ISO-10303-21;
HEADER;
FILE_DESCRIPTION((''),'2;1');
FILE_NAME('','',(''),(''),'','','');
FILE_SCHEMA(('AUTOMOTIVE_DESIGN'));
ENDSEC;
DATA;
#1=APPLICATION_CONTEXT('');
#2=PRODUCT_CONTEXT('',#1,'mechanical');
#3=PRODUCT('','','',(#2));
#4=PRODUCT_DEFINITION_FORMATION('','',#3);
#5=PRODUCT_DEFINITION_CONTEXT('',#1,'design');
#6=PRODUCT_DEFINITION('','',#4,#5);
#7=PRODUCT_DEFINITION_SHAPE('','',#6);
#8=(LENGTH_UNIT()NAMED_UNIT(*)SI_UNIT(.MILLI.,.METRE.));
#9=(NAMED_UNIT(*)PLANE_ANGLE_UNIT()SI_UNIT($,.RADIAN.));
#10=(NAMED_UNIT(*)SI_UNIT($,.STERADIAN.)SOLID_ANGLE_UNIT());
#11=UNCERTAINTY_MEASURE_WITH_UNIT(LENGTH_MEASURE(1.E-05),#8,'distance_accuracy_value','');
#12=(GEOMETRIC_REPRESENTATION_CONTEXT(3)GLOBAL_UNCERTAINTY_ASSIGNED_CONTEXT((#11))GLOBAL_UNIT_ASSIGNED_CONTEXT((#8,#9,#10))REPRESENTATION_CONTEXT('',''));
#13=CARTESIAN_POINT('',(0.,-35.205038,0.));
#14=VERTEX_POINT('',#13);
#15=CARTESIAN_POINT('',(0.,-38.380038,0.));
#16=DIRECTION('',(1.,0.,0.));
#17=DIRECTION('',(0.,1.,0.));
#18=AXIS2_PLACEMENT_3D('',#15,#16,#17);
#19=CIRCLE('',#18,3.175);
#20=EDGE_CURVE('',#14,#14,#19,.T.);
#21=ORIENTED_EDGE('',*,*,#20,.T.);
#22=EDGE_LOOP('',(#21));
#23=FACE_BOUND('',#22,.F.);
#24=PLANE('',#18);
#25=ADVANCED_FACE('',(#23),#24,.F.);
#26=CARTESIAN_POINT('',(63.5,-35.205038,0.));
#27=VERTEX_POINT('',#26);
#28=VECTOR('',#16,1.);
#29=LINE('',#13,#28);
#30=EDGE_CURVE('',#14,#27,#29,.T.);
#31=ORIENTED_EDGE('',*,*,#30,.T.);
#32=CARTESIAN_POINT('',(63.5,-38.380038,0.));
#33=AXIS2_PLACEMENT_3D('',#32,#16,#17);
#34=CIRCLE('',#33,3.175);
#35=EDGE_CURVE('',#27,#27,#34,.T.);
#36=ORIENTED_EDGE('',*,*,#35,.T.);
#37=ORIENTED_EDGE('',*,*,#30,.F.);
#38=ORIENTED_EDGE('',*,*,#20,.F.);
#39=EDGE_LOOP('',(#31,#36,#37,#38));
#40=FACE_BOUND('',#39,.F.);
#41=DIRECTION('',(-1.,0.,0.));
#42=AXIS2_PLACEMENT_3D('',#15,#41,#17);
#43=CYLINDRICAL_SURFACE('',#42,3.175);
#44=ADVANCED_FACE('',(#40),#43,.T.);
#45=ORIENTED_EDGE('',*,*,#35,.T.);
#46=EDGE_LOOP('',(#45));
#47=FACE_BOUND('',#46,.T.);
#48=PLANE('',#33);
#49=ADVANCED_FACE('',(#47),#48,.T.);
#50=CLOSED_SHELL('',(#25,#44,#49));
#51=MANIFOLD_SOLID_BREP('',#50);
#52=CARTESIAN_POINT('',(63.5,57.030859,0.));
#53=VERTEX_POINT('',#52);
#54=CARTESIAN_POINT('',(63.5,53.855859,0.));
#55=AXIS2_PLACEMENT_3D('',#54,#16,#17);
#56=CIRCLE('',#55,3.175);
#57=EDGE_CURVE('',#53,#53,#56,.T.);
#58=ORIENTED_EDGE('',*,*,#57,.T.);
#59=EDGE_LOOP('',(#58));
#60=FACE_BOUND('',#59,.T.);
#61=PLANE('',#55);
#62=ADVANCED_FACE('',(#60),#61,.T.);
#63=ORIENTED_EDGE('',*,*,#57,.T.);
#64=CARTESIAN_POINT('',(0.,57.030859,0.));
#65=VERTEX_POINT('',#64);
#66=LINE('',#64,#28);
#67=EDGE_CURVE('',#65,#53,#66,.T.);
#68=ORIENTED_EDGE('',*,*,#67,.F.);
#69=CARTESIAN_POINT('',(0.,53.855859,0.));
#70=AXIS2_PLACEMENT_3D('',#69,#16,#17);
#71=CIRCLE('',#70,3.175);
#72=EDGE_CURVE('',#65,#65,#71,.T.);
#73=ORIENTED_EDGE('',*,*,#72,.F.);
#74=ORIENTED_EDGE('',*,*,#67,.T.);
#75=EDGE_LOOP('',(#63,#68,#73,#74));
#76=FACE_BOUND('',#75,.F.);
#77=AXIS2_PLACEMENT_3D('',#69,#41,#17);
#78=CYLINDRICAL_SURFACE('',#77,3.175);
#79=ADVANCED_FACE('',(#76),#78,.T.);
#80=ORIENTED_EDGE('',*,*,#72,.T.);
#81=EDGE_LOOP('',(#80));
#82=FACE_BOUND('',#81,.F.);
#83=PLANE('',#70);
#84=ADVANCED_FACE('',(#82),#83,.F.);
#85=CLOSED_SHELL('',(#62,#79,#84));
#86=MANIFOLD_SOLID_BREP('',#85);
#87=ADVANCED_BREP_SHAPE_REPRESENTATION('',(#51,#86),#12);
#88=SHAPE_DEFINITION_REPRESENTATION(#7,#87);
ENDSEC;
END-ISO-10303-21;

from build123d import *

# Parameters (mm, degrees)
F0_R     = 3.175
F1_DEPTH = 63.5
F2_DEPTH = 63.5


with BuildPart() as f1:
    # F0 (on Right) → F1 (new body)
    with BuildSketch(Plane.YZ):
        with Locations((-38.380038, 0)):
            Circle(F0_R)
    extrude(amount=F1_DEPTH)


with BuildPart() as f2:
    # F0 (on Right) → F2 (new body)
    with BuildSketch(Plane.YZ):
        with Locations((53.855859, 0)):
            Circle(F0_R)
    extrude(amount=F2_DEPTH)


solid = Compound([f1.part, f2.part])
